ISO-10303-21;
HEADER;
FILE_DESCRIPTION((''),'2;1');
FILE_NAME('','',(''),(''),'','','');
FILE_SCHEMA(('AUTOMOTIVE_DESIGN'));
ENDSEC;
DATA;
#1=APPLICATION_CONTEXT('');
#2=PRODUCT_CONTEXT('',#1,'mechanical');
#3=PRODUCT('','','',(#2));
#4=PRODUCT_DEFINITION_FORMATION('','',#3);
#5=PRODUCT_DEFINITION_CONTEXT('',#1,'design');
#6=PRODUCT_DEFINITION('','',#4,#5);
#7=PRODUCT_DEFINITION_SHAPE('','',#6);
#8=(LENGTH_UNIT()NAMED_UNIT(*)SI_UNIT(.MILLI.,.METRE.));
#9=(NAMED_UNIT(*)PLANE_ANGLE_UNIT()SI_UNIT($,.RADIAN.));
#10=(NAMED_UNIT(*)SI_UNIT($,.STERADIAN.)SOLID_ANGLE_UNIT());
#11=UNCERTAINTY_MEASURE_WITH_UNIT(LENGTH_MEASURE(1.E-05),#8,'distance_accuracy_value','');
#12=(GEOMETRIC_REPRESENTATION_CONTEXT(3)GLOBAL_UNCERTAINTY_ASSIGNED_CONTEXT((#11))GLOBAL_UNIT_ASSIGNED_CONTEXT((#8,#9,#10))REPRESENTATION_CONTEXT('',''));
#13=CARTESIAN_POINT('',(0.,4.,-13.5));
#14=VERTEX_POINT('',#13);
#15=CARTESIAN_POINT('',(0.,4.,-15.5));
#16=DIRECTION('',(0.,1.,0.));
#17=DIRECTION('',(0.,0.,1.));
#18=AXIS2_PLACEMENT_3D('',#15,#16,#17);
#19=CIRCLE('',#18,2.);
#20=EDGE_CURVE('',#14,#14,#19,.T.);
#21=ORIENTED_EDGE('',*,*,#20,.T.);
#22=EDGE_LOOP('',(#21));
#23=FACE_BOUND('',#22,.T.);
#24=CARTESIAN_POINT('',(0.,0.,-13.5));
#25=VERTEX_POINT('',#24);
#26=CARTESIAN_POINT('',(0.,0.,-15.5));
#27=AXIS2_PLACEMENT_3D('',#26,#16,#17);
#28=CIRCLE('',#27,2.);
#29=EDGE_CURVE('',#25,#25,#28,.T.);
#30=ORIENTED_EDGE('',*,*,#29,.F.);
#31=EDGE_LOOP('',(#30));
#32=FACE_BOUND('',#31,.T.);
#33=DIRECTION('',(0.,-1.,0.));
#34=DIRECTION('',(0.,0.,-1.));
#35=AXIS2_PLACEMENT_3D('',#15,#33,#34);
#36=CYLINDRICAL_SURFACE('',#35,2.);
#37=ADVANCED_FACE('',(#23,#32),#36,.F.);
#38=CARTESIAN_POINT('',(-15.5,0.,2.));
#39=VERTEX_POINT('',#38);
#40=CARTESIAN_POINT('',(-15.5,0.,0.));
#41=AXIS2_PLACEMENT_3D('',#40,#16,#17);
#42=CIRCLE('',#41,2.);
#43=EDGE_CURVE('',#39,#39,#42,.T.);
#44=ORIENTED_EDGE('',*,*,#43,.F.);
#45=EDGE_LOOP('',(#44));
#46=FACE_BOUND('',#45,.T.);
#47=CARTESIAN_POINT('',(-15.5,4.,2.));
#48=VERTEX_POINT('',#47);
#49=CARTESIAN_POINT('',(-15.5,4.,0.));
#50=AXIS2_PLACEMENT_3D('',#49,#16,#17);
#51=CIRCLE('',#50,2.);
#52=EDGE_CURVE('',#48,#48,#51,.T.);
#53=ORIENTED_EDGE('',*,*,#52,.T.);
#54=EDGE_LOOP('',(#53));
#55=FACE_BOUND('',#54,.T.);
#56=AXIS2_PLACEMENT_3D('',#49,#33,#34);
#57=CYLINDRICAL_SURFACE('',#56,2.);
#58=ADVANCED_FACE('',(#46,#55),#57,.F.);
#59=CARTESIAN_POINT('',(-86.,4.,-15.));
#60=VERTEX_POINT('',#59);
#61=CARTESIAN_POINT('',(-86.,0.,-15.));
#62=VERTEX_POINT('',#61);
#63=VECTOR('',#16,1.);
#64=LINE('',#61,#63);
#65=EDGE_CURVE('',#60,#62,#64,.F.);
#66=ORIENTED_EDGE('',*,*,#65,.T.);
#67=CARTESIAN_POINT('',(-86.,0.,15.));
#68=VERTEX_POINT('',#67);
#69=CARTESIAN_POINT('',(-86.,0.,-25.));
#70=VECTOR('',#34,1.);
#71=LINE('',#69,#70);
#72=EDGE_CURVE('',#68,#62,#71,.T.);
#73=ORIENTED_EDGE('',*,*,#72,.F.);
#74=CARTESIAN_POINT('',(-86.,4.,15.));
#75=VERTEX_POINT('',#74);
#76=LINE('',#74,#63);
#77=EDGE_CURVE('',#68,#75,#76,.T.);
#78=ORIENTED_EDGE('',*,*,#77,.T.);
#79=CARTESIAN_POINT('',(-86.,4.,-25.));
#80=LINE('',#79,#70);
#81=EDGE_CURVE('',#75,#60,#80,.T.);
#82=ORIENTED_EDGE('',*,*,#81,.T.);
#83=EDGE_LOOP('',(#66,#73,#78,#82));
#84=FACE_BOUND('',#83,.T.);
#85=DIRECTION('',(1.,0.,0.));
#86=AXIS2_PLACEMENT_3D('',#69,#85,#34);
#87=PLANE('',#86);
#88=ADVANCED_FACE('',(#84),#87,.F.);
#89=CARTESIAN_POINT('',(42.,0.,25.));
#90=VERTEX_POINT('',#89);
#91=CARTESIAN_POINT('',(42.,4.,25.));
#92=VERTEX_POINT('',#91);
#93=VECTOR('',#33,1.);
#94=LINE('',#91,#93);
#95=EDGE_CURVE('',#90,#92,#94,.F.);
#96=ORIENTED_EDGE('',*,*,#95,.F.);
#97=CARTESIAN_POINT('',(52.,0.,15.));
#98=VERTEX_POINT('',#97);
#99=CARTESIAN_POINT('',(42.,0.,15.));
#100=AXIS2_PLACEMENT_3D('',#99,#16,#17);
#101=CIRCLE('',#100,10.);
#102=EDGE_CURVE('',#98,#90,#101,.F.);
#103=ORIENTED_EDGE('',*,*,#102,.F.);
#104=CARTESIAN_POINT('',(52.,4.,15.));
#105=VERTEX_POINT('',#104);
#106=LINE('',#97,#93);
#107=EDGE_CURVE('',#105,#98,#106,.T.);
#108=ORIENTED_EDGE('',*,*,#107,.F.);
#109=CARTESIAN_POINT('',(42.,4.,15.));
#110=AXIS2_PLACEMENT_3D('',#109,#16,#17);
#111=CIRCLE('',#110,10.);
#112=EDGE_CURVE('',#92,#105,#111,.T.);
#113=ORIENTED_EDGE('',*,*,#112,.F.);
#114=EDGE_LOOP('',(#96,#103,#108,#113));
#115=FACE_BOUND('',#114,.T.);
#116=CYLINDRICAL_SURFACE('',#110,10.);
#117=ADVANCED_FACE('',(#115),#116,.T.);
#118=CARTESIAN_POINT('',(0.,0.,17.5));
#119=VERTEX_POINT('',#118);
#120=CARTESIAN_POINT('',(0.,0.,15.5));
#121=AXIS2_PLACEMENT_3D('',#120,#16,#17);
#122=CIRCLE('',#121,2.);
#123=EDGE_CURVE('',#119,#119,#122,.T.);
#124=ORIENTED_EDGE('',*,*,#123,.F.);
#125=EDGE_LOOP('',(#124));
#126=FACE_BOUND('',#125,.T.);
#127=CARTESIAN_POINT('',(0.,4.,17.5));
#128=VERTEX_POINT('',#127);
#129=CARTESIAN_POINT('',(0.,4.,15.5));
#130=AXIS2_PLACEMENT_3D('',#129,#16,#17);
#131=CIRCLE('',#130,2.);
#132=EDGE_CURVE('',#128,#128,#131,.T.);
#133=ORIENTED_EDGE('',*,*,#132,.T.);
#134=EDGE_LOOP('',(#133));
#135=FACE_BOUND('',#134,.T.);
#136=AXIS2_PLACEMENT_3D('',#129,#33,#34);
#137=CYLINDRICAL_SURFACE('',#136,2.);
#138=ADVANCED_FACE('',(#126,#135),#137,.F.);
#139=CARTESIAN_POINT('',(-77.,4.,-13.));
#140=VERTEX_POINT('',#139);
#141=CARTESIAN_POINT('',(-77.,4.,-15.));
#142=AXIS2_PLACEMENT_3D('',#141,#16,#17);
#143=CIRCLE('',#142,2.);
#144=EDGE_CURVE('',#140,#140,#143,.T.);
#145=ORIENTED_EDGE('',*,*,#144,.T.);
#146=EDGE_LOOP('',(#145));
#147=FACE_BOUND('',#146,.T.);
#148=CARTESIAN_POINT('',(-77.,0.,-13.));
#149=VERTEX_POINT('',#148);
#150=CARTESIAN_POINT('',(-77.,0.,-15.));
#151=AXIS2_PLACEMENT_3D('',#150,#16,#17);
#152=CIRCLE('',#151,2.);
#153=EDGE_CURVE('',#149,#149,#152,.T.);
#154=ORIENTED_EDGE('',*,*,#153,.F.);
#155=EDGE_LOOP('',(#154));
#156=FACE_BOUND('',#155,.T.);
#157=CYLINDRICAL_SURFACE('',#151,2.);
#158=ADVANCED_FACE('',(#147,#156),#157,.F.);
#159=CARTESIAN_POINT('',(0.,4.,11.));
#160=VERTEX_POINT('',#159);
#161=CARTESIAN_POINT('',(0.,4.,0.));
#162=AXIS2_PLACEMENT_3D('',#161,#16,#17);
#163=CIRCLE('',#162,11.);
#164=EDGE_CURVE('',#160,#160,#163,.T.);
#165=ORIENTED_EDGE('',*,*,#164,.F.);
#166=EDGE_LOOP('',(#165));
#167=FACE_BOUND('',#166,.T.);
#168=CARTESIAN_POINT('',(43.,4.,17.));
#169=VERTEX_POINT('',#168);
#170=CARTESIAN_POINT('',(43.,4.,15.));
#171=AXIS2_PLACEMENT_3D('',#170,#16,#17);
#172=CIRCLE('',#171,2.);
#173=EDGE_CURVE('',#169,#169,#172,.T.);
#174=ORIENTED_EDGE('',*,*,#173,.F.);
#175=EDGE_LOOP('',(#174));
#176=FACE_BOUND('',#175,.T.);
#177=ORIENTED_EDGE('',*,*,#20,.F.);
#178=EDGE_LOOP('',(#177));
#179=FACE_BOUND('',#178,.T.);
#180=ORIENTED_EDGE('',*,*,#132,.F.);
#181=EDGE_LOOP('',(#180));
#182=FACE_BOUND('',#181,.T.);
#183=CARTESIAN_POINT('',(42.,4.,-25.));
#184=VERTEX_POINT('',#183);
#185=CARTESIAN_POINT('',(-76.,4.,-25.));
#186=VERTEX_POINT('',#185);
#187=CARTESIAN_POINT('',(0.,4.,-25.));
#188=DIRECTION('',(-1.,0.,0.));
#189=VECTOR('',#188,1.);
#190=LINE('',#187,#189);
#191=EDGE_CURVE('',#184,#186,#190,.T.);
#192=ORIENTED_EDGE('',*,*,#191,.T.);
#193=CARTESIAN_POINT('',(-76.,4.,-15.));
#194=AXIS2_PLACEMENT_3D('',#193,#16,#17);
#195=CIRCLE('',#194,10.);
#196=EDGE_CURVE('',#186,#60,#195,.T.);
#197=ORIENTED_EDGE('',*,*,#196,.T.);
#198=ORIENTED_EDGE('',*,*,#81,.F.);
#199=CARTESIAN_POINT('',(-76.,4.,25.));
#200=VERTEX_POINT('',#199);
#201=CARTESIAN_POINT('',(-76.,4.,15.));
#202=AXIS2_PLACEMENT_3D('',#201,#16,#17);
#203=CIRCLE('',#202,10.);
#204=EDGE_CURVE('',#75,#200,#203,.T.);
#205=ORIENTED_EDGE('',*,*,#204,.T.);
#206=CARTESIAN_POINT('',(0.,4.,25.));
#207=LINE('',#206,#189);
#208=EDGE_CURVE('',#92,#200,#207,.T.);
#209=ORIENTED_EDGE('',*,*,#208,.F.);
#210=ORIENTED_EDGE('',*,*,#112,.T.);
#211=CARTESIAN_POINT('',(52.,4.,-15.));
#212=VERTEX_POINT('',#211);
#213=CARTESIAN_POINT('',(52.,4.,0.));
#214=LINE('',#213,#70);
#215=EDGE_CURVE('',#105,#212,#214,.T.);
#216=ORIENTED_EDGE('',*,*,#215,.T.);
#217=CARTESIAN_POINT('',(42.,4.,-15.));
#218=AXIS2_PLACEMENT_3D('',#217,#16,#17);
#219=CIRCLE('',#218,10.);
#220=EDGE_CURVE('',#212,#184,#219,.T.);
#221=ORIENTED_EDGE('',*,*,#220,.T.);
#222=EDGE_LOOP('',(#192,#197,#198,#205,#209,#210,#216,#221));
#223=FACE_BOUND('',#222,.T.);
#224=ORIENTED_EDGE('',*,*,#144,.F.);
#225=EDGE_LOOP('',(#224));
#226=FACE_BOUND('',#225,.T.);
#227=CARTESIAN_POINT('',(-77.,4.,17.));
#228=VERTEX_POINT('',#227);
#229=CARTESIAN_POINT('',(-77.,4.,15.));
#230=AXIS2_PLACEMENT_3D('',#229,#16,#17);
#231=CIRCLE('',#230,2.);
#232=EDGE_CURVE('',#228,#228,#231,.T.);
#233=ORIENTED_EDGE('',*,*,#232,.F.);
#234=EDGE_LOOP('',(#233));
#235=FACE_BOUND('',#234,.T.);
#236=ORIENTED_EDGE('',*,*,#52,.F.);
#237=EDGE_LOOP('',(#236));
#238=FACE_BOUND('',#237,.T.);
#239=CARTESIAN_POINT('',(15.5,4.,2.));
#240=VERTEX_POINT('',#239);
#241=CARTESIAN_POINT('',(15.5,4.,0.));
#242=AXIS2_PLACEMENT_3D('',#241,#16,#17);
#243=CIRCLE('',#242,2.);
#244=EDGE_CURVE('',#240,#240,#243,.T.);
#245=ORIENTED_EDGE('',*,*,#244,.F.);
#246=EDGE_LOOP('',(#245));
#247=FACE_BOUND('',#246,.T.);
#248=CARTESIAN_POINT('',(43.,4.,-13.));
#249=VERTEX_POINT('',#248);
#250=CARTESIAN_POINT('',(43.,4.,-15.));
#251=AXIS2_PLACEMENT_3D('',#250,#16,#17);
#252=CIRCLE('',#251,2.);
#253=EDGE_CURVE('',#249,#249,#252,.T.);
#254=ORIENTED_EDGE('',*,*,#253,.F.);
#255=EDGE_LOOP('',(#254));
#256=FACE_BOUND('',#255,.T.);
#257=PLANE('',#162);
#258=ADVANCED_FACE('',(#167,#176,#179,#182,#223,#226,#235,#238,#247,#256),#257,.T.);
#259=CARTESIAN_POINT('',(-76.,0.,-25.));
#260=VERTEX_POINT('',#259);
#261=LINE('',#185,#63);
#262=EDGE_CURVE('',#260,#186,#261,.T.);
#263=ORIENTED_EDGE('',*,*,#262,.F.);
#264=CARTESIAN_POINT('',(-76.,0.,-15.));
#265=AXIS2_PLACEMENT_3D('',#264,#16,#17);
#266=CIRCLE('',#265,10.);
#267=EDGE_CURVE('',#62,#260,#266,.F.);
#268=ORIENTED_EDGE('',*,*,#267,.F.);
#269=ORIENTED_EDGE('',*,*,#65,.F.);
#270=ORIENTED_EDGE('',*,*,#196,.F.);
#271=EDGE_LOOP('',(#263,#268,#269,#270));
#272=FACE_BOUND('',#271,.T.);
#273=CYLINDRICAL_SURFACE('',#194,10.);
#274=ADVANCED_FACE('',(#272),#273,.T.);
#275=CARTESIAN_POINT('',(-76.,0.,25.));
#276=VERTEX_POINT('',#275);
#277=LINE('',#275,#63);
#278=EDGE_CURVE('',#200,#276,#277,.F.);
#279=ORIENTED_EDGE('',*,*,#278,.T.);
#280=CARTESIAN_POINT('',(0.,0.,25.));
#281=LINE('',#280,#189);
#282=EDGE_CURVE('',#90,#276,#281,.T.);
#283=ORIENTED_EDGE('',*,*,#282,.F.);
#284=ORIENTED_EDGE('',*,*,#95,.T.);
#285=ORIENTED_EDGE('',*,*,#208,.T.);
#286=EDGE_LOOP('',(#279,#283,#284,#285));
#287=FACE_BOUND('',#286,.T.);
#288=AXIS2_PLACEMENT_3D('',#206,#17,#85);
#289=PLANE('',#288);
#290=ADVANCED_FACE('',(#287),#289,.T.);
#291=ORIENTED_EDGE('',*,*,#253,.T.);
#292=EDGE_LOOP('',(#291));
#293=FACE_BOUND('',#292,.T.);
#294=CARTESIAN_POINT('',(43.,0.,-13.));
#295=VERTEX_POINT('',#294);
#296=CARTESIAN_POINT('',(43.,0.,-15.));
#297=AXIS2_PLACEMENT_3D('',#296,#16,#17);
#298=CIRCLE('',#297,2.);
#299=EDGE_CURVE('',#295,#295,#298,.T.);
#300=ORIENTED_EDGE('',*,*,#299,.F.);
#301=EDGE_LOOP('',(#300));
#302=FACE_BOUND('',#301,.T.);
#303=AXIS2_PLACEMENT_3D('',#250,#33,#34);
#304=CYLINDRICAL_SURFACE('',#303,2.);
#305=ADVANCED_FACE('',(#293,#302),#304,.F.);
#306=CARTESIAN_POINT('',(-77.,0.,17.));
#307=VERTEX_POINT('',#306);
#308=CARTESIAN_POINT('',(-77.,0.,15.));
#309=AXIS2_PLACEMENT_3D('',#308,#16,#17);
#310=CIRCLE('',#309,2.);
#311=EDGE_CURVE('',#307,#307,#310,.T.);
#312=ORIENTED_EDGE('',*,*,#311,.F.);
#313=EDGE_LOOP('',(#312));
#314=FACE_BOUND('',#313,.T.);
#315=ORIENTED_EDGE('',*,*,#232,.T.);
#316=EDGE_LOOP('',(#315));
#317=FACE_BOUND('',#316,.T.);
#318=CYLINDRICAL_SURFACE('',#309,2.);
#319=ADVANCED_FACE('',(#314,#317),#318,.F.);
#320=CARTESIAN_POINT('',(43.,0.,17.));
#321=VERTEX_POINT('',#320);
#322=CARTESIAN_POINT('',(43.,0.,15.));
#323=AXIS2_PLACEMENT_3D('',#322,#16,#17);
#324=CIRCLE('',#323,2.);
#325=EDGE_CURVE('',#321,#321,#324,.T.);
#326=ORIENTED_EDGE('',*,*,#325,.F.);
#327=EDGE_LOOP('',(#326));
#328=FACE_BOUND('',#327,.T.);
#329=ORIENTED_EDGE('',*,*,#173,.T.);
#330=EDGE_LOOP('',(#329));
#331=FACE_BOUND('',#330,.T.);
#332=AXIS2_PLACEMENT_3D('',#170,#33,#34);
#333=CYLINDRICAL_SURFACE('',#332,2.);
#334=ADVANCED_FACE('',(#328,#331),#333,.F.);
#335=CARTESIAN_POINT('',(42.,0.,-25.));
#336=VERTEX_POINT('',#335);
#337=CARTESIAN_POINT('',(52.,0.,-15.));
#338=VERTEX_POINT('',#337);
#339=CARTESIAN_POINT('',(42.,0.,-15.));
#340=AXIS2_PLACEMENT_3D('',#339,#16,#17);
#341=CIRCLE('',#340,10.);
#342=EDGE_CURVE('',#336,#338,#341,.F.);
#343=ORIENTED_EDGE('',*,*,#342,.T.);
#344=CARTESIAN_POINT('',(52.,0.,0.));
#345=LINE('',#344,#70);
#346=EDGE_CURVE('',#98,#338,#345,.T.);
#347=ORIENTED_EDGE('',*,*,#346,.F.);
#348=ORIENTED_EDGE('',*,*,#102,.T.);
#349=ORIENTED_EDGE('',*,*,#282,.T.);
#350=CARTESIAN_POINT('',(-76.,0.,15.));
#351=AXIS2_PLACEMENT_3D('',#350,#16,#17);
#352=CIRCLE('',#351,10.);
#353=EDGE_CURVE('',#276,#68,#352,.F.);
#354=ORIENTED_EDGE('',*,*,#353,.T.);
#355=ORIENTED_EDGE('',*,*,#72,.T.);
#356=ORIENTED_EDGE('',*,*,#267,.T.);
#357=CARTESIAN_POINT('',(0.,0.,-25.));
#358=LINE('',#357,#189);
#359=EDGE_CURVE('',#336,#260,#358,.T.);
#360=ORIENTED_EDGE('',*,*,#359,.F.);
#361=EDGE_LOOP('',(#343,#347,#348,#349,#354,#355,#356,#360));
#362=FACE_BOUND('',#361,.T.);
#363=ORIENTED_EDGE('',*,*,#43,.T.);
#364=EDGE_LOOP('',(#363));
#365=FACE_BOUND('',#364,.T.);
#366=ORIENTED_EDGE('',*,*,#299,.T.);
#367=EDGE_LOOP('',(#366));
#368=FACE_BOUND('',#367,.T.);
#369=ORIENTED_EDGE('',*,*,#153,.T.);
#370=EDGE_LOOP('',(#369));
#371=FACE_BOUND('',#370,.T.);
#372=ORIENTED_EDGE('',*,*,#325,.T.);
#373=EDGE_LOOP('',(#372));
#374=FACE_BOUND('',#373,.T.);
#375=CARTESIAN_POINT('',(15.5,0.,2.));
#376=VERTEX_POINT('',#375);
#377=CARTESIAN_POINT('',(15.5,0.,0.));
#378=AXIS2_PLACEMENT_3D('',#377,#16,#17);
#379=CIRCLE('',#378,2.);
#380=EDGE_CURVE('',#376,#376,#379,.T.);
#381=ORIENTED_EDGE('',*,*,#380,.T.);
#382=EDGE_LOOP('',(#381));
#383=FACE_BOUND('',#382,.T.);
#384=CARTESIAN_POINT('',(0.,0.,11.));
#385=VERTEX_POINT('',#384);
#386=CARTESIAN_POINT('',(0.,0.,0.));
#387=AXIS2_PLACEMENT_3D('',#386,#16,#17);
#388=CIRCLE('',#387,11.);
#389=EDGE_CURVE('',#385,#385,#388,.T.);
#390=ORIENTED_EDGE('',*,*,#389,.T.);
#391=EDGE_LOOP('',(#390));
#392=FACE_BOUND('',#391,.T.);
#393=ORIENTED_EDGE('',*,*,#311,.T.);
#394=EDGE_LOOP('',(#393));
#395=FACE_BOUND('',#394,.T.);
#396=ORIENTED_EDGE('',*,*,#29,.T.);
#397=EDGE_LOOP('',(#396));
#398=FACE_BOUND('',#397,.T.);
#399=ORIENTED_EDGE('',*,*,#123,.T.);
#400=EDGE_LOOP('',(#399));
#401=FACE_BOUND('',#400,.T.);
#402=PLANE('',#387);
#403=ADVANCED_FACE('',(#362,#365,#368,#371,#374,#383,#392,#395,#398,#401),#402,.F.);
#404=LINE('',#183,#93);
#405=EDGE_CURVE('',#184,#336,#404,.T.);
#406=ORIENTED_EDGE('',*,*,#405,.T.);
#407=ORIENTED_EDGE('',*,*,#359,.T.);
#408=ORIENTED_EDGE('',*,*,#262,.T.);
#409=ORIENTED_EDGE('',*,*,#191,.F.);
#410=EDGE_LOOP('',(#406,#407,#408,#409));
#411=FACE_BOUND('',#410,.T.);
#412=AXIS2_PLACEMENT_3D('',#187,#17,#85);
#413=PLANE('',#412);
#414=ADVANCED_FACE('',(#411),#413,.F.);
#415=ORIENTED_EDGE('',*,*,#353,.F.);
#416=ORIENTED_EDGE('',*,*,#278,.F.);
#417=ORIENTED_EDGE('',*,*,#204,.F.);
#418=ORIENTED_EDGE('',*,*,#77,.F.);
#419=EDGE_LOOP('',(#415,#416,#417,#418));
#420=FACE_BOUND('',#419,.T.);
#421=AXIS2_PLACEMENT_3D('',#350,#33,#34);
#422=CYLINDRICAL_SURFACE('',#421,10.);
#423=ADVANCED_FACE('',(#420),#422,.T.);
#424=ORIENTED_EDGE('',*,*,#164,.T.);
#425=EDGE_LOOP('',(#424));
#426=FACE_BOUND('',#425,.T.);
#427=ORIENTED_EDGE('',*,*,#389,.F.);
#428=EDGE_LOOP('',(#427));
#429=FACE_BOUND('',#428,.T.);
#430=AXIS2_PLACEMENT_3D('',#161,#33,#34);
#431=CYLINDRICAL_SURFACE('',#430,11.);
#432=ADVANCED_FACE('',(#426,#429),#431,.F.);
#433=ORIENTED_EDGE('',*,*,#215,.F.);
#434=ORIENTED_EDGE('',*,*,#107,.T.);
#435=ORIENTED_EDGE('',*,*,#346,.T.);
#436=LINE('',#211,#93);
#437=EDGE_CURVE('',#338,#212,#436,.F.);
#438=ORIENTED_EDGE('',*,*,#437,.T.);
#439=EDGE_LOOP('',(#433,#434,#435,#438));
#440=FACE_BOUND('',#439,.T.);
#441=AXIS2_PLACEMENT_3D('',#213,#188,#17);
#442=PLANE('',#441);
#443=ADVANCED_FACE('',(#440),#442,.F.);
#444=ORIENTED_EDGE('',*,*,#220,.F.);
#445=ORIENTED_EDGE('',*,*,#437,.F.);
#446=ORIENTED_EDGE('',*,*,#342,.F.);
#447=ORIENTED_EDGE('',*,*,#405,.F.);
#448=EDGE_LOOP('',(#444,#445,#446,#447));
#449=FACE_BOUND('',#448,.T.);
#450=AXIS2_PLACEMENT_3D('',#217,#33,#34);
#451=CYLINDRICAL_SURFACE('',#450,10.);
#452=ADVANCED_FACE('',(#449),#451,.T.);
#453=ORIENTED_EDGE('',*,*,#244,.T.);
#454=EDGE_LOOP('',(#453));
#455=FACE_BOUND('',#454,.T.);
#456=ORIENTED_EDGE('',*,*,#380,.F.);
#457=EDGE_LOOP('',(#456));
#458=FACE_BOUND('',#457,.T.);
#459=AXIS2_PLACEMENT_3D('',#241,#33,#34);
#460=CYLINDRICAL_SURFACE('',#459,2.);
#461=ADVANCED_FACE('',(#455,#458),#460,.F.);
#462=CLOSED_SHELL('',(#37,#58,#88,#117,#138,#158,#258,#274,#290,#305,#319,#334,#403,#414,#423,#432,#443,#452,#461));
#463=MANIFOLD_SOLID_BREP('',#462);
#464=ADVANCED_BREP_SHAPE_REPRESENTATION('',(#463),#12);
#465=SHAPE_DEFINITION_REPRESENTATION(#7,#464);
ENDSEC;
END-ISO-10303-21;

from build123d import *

# Parameters (mm, degrees)
SKETCH_1_W          = 143
SKETCH_1_H          = 50
SKETCH_1_R          = 2
SKETCH_1_R_2        = 11
EXTRUDE_1_DEPTH     = 4
SKETCH_4_W          = 5
SKETCH_4_H          = 50
CUT_EXTRUDE_3_DEPTH = 95.45633912
SKETCH_5_R          = 2
CUT_EXTRUDE_4_DEPTH = 90.649316785
FILLET_1_R          = 10


with BuildPart() as part:
    # 草图1 → 凸台-拉伸1 (new body)
    with BuildSketch(Plane(origin=(0, 0, 0), x_dir=(1, 0, 0), z_dir=(0, 1, 0))):
        with Locations((-19.5, 0)):
            Rectangle(SKETCH_1_W, SKETCH_1_H)
        with Locations(Location((-15.5, 0, 0), (0, 0, 270))):
            Circle(SKETCH_1_R, mode=Mode.SUBTRACT)
        with Locations(Location((0, 15.5, 0), (0, 0, 270))):
            Circle(SKETCH_1_R, mode=Mode.SUBTRACT)
        with Locations(Location((0, -15.5, 0), (0, 0, 270))):
            Circle(SKETCH_1_R, mode=Mode.SUBTRACT)
        with Locations(Location((43, -15, 0), (0, 0, 270))):
            Circle(SKETCH_1_R, mode=Mode.SUBTRACT)
        with Locations(Location((43, 15, 0), (0, 0, 270))):
            Circle(SKETCH_1_R, mode=Mode.SUBTRACT)
        with Locations(Location((0, 0, 0), (0, 0, 270))):
            Circle(SKETCH_1_R_2, mode=Mode.SUBTRACT)
        with Locations(Location((15.5, 0, 0), (0, 0, 270))):
            Circle(SKETCH_1_R, mode=Mode.SUBTRACT)
    extrude(amount=EXTRUDE_1_DEPTH)

    # 草图4 → 切除-拉伸3 (cut, through all)
    with BuildSketch(Plane(origin=(0, 4, 0), x_dir=(1, 0, 0), z_dir=(0, 1, 0))):
        with Locations((-88.5, 0)):
            Rectangle(SKETCH_4_W, SKETCH_4_H)
    extrude(amount=-CUT_EXTRUDE_3_DEPTH, mode=Mode.SUBTRACT)

    # 草图5 → 切除-拉伸4 (cut, through all)
    with BuildSketch(Plane(origin=(0, 4, 0), x_dir=(1, 0, 0), z_dir=(0, 1, 0))):
        with Locations(Location((-77, 15, 0), (0, 0, 270))):
            Circle(SKETCH_5_R)
        with Locations(Location((-77, -15, 0), (0, 0, 270))):
            Circle(SKETCH_5_R)
    extrude(amount=-CUT_EXTRUDE_4_DEPTH, mode=Mode.SUBTRACT)

    # 圆角1
    fillet_1_edges = [part.edges().sort_by_distance(p)[0] for p in [
        (52, 2, -25),
        (52, 2, 25),
        (-86, 2, -25),
        (-86, 2, 25),
    ]]
    fillet(fillet_1_edges, radius=FILLET_1_R)


solid = part.part
